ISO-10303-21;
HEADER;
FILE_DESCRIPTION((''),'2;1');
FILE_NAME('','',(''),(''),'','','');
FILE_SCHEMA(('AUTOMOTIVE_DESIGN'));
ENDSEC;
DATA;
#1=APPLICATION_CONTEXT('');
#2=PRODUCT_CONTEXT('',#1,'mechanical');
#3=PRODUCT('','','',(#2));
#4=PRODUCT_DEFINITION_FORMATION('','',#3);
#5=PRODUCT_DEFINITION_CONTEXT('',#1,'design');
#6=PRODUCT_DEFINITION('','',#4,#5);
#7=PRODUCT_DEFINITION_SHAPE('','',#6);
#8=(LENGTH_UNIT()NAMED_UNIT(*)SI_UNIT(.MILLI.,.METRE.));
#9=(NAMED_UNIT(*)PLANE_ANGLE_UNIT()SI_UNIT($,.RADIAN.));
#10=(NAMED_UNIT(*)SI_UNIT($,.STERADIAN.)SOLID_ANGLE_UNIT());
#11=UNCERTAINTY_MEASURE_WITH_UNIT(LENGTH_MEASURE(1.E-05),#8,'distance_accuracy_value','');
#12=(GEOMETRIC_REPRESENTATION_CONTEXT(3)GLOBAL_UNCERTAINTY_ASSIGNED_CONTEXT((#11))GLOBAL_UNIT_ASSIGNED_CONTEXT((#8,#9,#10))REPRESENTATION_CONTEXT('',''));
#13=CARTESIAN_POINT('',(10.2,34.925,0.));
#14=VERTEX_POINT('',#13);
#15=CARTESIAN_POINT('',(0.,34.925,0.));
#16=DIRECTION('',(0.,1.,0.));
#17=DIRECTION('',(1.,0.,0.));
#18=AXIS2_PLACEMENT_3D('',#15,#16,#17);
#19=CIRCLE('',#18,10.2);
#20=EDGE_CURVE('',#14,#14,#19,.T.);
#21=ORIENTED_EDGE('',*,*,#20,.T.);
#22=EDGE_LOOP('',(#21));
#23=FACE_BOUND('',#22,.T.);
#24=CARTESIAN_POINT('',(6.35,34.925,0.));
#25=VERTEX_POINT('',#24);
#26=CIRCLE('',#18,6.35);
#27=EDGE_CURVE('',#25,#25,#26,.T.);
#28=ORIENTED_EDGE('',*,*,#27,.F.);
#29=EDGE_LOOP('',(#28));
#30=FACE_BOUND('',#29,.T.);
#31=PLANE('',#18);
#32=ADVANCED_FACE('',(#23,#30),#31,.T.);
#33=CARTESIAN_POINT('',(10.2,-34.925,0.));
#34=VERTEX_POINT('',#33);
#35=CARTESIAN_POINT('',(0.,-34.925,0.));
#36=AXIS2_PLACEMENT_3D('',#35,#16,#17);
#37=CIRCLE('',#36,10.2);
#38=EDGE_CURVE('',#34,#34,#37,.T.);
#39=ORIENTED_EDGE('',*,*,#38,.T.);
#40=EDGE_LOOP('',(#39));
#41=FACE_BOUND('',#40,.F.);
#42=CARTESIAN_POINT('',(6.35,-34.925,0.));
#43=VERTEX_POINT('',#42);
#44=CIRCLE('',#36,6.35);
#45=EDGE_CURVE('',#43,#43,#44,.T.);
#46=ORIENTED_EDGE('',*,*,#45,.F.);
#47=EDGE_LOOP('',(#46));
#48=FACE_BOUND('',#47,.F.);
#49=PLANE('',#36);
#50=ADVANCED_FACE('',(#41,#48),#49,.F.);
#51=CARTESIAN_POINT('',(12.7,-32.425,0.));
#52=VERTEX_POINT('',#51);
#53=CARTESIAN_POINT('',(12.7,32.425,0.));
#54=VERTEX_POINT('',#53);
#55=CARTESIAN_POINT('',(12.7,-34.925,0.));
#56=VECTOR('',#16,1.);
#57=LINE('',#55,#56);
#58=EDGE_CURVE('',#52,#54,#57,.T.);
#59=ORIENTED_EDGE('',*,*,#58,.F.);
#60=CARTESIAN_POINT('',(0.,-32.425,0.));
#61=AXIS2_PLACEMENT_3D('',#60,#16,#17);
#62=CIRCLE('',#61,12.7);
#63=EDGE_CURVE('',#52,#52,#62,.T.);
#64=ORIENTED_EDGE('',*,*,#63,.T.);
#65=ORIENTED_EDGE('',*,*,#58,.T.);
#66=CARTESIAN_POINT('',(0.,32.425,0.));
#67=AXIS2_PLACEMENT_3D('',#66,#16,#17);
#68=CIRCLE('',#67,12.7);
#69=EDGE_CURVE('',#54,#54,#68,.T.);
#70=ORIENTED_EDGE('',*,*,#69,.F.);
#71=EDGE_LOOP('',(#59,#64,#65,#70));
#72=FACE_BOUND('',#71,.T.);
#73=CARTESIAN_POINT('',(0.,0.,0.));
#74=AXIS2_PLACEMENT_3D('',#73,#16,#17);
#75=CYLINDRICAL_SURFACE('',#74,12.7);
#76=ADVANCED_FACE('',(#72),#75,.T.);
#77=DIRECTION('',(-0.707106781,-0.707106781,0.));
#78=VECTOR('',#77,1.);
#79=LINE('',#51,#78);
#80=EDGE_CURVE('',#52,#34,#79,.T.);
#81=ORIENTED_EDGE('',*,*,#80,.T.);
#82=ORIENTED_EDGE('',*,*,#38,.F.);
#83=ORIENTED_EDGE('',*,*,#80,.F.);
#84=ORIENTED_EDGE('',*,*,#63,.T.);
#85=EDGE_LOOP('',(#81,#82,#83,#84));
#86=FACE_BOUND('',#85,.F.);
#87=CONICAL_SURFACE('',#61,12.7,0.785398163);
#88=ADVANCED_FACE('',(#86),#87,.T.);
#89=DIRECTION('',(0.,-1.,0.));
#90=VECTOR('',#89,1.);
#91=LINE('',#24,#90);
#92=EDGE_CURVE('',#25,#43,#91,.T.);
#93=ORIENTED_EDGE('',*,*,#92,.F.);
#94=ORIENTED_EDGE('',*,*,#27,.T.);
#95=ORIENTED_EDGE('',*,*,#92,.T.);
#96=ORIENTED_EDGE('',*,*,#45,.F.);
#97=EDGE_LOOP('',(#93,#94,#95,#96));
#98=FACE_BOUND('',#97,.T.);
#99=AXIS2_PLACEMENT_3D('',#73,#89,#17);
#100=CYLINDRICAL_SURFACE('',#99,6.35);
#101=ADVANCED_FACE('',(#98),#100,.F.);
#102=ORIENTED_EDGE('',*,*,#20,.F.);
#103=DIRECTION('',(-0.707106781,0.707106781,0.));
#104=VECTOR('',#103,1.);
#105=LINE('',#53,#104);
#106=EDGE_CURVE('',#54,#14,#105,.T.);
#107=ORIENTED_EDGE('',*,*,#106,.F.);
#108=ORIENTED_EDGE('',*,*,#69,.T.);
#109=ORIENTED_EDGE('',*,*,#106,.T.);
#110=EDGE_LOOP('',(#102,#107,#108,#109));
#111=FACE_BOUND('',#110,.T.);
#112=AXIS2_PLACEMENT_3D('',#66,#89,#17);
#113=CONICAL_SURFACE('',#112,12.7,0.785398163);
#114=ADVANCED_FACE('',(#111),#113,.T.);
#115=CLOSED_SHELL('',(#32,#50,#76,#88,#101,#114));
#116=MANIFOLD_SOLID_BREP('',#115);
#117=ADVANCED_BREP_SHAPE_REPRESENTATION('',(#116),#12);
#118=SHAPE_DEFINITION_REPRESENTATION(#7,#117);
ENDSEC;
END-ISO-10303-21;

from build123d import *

# Parameters (mm, degrees)
SCHIZZO1_R                   = 12.7
SCHIZZO1_R_2                 = 6.35
ESTRUSIONE_ESTRUSIONE1_DEPTH = 34.925
SMUSSO1_SIZE                 = 2.5


with BuildPart() as part:
    # Schizzo1 → Estrusione-Estrusione1 (new body, symmetric)
    with BuildSketch(Plane(origin=(0, 0, 0), x_dir=(1, 0, 0), z_dir=(0, 1, 0))):
        Circle(SCHIZZO1_R)
        Circle(SCHIZZO1_R_2, mode=Mode.SUBTRACT)
    extrude(amount=ESTRUSIONE_ESTRUSIONE1_DEPTH, both=True)

    # Smusso1
    smusso1_edges = [part.edges().sort_by_distance(p)[0] for p in [
        (-12.7, -34.925, 0),
        (-12.7, 34.925, 0),
    ]]
    chamfer(smusso1_edges, length=SMUSSO1_SIZE)


solid = part.part
